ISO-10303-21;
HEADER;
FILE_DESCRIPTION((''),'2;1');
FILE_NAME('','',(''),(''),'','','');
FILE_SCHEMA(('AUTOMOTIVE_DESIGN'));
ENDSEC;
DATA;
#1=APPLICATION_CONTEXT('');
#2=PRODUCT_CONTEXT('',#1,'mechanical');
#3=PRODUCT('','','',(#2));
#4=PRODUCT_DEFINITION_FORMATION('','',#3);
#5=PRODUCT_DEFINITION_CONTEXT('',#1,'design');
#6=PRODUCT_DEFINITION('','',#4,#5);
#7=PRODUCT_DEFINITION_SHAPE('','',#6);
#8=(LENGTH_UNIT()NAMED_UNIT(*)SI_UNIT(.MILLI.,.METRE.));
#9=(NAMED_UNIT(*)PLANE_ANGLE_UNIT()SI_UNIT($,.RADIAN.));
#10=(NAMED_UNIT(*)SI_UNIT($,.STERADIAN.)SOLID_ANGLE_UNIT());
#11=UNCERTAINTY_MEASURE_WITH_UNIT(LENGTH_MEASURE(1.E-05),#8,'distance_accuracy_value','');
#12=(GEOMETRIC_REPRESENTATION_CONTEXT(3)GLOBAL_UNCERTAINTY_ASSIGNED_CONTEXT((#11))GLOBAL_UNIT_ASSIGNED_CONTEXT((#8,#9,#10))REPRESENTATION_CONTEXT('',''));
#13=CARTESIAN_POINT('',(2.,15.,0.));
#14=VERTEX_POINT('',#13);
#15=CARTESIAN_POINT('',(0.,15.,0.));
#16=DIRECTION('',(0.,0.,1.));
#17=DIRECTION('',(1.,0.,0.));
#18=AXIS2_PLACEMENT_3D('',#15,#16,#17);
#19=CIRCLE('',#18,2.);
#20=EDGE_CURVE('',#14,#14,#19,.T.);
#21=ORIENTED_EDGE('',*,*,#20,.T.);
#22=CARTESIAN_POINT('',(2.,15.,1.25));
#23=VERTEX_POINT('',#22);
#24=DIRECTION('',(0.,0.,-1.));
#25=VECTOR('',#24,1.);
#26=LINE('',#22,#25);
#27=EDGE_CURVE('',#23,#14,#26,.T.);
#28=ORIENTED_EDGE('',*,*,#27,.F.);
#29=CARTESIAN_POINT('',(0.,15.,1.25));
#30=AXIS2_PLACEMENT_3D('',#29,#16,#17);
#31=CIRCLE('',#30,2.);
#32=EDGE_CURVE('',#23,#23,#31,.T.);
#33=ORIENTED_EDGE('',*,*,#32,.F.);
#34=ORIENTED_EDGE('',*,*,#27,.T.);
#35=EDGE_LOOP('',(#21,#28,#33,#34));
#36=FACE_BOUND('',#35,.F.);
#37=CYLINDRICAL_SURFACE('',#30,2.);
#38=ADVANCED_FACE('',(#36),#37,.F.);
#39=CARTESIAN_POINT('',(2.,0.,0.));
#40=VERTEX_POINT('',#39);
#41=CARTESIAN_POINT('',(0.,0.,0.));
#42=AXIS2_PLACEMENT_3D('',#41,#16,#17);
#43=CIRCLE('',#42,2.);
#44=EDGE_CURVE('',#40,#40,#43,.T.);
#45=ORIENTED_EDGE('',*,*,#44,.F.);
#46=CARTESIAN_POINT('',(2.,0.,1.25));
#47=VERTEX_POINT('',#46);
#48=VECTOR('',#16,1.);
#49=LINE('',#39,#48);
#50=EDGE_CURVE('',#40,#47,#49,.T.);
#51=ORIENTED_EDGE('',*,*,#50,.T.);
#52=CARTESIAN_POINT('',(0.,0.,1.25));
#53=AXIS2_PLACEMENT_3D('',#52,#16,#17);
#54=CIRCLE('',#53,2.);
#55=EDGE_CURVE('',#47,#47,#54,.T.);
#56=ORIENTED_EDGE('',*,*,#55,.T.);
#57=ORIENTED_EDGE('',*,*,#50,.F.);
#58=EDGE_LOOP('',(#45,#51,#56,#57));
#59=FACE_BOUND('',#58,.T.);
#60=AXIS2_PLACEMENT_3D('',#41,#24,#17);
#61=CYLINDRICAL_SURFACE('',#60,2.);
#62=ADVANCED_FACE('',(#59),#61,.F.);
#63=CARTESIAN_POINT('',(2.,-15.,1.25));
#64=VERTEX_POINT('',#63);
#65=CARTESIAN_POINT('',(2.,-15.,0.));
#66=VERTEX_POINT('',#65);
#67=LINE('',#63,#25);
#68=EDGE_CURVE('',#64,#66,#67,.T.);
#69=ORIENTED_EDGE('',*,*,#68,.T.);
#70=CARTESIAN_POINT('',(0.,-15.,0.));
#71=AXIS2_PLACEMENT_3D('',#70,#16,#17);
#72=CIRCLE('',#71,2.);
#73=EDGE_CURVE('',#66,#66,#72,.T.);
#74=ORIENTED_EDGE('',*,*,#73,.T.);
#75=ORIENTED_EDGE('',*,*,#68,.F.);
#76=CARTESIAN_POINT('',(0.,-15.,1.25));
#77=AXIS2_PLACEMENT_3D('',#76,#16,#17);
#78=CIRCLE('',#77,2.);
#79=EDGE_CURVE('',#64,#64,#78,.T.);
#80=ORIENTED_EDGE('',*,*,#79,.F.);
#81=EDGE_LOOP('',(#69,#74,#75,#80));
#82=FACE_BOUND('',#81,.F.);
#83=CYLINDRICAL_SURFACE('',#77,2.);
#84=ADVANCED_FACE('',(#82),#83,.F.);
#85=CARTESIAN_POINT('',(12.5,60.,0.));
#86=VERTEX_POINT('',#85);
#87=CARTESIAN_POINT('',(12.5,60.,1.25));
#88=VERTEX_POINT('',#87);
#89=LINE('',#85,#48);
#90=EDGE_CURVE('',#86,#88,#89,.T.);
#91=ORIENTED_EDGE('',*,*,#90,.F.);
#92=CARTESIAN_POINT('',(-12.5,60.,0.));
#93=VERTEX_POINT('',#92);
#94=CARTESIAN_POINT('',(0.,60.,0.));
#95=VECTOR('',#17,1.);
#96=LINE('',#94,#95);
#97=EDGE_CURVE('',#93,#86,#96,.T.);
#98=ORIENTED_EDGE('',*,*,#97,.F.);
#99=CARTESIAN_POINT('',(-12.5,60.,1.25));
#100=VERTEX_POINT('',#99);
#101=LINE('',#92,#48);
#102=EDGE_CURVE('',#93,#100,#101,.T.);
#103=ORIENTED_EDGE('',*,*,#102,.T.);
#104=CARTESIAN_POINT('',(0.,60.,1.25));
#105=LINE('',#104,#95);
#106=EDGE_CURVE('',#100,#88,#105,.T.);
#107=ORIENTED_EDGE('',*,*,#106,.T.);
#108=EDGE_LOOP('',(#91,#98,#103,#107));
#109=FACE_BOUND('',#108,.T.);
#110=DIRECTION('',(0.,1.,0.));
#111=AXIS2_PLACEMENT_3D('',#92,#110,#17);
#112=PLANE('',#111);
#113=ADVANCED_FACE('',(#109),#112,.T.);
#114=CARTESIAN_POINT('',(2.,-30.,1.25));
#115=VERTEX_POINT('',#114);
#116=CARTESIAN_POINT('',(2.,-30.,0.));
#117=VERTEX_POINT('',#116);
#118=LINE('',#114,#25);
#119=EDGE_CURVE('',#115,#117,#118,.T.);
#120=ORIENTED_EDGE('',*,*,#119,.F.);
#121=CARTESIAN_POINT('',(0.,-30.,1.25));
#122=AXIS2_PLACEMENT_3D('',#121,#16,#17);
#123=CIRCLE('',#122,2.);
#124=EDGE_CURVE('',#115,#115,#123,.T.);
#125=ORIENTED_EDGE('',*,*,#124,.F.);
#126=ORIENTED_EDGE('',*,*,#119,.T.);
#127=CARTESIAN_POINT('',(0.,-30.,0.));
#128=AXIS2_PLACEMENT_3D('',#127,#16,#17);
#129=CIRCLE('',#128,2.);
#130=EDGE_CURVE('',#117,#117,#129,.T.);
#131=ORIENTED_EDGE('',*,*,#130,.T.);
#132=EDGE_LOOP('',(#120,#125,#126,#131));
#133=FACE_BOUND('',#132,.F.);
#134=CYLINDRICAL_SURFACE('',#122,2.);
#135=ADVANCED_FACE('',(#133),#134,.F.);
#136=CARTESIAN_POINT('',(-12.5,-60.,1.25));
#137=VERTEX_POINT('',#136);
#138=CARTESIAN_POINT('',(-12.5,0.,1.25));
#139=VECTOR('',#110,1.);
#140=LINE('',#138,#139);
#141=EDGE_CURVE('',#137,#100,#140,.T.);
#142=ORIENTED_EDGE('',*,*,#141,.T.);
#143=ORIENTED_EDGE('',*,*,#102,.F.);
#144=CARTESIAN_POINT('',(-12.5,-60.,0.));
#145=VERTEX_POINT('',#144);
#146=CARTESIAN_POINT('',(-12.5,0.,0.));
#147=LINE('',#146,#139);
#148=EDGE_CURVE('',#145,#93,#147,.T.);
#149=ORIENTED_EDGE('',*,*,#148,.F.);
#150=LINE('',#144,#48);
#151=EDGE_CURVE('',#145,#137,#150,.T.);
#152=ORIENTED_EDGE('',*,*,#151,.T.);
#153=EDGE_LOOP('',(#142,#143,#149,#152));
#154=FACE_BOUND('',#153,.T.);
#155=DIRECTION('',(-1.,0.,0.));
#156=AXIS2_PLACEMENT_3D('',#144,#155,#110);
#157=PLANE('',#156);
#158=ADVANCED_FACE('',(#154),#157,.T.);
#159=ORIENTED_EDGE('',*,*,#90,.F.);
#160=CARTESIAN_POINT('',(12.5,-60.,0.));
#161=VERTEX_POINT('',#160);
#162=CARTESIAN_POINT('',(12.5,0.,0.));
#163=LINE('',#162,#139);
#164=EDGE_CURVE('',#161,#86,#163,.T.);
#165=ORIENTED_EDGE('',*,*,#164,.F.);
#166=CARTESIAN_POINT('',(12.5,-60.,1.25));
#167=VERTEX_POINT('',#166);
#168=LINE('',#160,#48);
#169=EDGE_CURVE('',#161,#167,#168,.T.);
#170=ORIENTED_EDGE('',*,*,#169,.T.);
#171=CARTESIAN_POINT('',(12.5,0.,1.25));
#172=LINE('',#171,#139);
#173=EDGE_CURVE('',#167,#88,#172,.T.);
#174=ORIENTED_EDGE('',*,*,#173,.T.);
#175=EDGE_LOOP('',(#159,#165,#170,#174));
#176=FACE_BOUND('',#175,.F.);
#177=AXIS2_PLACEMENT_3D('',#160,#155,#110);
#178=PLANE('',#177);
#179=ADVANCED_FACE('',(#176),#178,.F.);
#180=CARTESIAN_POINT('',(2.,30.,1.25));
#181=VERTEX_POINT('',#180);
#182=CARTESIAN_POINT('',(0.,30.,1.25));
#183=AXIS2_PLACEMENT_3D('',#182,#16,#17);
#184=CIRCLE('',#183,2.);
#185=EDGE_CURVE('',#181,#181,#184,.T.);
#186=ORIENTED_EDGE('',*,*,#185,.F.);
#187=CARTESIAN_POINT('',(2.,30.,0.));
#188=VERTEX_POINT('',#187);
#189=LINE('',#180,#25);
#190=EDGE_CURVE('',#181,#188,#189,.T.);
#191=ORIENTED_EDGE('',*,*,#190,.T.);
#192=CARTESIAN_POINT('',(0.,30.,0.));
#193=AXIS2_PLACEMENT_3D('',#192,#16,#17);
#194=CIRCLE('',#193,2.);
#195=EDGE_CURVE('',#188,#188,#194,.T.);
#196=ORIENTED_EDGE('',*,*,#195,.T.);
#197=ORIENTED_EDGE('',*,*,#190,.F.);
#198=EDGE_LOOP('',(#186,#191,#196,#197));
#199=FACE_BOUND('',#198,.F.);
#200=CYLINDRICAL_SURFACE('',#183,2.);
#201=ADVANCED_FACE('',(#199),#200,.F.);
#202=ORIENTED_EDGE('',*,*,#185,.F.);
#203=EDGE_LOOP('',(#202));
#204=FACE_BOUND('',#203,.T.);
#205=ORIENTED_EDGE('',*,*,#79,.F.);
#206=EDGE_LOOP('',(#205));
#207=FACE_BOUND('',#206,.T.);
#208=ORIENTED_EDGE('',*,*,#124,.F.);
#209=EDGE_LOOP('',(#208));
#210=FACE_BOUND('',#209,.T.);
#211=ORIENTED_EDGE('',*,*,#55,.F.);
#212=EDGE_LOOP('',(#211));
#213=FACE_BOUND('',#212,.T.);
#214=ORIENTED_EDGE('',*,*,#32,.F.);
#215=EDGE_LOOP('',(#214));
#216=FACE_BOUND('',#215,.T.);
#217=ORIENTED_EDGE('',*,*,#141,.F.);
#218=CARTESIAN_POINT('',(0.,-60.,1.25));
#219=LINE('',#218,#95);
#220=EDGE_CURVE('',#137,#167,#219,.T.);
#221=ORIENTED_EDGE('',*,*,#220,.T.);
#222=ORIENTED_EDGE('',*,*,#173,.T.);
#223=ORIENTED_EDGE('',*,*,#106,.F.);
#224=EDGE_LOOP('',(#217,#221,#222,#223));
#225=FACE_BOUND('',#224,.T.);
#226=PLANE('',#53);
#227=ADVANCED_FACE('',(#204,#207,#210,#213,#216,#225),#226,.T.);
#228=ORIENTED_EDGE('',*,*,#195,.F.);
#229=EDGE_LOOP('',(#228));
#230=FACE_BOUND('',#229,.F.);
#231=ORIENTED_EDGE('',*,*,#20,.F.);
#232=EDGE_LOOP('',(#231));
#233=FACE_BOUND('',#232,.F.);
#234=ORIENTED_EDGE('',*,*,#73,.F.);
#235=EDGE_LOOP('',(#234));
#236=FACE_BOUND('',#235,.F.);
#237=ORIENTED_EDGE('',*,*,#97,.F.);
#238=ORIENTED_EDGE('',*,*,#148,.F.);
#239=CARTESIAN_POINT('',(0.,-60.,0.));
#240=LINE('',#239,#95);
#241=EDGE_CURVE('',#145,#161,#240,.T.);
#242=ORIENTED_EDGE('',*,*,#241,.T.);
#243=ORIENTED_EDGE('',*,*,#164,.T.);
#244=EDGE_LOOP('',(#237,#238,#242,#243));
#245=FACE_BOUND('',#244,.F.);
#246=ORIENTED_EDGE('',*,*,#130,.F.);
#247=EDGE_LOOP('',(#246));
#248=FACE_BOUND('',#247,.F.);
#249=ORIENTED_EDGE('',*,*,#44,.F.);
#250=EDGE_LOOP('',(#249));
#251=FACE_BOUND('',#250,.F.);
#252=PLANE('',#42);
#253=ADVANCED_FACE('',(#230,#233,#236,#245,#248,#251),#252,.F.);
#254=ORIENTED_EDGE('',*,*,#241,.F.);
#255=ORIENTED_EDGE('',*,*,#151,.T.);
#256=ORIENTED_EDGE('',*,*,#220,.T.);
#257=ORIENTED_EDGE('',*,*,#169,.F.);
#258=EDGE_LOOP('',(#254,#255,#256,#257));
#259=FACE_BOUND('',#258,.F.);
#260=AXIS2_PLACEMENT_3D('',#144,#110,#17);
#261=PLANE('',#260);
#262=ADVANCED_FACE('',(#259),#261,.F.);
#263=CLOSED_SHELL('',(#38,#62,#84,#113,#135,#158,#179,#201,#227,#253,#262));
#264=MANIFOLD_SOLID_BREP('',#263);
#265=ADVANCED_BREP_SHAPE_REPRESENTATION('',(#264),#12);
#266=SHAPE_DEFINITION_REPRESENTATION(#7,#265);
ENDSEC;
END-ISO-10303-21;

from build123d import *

# Parameters (mm, degrees)
F0_W     = 25
F0_H     = 120
F0_R     = 2
F1_DEPTH = 1.25
F2_R     = 2
F3_DEPTH = 25


with BuildPart() as f1:
    # F0 (on Top) → F1 (new body)
    with BuildSketch(Plane.XY):
        Rectangle(F0_W, F0_H)
        Circle(F0_R, mode=Mode.SUBTRACT)
    extrude(amount=F1_DEPTH)

    # F2 (on face) → F3 (cut)
    with BuildSketch(Plane.XY.offset(1.25)):
        with Locations((0, -30)):
            Circle(F2_R)
        with Locations((0, -15)):
            Circle(F2_R)
        with Locations((0, 15)):
            Circle(F2_R)
        with Locations((0, 30)):
            Circle(F2_R)
    extrude(amount=-F3_DEPTH, mode=Mode.SUBTRACT)


solid = f1.part
